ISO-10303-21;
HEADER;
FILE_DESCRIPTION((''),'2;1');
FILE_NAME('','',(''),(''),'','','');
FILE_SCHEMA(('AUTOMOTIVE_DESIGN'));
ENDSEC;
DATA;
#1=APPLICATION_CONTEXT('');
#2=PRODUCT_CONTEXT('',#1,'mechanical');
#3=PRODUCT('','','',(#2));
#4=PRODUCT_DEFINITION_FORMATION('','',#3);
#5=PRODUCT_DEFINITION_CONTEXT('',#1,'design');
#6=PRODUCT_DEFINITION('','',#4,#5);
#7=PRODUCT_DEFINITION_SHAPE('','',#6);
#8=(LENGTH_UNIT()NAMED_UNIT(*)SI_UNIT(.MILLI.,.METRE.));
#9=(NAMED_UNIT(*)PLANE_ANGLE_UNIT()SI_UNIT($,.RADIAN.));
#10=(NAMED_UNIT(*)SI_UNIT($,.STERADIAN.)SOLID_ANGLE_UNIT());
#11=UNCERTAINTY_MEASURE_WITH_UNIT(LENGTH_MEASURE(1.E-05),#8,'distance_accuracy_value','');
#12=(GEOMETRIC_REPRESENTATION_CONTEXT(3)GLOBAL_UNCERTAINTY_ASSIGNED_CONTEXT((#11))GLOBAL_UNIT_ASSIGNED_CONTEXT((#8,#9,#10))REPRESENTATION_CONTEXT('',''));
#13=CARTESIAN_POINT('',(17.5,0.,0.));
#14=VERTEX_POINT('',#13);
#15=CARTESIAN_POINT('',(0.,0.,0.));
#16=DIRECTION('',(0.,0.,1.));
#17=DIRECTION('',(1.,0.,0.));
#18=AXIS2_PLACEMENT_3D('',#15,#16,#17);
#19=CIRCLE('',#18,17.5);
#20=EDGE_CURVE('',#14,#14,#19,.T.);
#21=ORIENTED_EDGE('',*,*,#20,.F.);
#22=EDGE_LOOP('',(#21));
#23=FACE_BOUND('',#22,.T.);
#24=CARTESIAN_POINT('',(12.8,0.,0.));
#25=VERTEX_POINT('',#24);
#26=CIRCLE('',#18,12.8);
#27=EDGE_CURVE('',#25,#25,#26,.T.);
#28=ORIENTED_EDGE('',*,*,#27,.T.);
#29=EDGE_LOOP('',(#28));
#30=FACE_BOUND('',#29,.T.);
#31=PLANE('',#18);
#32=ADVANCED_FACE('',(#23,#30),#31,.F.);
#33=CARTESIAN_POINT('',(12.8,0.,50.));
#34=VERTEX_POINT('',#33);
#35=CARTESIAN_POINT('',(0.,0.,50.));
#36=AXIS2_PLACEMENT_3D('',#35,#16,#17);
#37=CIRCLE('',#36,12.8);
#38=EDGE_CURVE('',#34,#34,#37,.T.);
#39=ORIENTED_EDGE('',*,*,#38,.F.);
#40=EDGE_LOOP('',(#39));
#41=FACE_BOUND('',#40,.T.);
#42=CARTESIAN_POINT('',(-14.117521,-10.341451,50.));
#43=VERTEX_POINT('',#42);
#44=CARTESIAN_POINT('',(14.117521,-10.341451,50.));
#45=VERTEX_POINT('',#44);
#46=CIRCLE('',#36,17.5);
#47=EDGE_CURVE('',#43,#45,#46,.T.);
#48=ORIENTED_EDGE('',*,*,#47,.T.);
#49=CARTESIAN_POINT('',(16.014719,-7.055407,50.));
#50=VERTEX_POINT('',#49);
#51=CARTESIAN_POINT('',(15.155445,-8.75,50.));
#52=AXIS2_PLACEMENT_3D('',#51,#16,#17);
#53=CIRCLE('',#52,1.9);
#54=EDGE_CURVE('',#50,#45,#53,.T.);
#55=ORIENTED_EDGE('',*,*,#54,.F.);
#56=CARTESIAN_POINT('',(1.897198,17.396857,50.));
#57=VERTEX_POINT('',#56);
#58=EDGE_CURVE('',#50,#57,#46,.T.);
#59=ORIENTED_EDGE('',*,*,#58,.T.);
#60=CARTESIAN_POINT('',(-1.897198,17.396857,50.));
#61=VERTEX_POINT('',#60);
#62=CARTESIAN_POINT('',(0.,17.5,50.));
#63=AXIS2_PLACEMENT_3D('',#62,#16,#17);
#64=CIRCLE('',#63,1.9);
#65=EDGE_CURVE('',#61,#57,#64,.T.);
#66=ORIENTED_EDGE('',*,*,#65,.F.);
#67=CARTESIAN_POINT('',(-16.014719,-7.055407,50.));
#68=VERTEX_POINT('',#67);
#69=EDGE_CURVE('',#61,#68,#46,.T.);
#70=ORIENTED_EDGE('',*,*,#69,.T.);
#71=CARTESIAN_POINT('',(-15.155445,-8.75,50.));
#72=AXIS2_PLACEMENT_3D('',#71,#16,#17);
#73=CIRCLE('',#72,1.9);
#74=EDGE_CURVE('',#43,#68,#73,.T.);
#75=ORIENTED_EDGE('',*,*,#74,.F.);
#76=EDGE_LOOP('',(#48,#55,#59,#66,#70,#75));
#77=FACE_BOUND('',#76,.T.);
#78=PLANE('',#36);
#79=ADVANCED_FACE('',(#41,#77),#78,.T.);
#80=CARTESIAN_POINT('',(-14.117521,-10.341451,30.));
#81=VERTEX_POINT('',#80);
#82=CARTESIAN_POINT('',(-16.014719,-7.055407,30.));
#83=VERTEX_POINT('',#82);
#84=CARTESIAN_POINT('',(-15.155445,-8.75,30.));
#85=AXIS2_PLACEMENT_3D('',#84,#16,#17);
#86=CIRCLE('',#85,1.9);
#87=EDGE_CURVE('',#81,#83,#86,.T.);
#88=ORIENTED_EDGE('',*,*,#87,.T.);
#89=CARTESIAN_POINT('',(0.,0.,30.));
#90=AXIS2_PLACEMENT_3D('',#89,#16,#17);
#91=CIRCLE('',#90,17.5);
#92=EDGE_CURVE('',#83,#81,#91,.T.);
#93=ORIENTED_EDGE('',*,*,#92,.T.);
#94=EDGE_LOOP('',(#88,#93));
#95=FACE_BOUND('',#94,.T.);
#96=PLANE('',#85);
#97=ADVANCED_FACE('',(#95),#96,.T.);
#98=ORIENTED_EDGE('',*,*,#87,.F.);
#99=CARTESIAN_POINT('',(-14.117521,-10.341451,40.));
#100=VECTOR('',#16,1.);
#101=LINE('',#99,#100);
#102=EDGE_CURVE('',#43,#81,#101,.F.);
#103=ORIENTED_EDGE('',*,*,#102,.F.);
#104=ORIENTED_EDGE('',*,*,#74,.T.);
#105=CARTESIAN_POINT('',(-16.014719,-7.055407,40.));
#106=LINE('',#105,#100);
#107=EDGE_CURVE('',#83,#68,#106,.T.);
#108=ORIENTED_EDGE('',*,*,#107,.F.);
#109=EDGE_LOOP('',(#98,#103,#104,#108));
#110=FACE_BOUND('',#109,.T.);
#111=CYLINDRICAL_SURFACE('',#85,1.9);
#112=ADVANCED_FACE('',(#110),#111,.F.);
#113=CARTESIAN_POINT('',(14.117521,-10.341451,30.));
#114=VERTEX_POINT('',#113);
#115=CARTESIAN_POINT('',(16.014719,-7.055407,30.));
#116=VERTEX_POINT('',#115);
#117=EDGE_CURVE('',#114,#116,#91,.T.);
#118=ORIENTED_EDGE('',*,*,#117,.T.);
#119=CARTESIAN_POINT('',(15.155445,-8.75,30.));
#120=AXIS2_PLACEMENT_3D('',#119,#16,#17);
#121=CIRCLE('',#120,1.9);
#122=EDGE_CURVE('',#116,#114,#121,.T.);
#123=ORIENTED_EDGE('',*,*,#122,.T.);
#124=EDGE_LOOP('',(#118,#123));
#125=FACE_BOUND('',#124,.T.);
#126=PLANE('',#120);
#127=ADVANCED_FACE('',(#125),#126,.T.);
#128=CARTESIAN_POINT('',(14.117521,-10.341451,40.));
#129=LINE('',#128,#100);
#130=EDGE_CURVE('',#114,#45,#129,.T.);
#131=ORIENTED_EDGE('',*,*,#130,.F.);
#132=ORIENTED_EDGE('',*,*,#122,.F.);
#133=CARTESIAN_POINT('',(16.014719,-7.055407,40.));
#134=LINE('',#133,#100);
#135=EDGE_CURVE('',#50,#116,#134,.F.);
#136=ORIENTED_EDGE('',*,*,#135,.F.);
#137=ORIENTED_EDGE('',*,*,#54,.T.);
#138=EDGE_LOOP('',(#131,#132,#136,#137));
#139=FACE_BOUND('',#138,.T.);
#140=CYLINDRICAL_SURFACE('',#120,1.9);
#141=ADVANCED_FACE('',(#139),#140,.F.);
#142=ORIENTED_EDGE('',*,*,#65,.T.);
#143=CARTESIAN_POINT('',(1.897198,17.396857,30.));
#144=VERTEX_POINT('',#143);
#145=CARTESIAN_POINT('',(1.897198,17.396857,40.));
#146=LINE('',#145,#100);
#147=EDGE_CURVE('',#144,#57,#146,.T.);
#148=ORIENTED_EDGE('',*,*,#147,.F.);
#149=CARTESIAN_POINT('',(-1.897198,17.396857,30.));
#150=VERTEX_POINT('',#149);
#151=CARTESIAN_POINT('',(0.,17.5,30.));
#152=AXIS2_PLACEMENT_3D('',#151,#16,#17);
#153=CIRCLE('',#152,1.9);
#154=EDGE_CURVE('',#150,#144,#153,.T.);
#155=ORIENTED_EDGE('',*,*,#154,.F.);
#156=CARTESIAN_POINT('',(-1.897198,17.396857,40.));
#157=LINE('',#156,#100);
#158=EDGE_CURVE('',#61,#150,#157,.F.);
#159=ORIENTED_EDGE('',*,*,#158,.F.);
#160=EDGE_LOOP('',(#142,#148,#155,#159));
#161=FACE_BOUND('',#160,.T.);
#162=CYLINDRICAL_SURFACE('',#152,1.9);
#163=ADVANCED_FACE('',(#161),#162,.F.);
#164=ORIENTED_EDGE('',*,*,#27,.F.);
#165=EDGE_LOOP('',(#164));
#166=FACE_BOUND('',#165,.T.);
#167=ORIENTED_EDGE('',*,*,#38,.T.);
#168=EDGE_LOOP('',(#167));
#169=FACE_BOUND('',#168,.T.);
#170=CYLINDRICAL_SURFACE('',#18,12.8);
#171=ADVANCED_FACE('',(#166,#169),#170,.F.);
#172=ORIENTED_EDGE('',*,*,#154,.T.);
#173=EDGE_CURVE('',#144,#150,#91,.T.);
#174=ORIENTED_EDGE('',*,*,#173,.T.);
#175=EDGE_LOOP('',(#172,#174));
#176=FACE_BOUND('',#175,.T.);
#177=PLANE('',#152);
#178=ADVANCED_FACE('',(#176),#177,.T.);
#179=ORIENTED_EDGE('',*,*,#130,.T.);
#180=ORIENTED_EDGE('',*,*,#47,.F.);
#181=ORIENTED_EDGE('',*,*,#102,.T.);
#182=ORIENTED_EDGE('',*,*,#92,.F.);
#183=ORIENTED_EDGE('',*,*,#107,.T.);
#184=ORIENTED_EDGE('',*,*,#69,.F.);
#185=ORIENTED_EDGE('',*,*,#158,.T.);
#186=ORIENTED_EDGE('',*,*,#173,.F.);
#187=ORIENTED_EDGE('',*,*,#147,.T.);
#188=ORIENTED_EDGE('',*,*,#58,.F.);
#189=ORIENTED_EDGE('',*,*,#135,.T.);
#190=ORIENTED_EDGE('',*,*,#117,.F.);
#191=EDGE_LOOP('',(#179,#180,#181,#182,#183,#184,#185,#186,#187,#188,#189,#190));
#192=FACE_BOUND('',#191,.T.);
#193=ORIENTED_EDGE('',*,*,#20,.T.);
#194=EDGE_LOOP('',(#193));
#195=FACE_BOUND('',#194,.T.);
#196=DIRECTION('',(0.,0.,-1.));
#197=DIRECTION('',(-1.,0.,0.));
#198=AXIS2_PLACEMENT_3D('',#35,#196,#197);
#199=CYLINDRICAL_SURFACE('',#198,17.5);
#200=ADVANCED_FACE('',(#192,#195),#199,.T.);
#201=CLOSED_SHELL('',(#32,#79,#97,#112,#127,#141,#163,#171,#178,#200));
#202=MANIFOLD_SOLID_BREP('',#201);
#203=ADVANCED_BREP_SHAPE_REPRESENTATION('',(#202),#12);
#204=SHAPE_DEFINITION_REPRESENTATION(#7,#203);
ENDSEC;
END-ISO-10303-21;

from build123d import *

# Parameters (mm, degrees)
ESQUISSE1_R             = 17.5
BOSS_EXTRU_1_DEPTH      = 50
ESQUISSE4_R             = 12.8
ENL_V_MAT_EXTRU_1_DEPTH = 50
ESQUISSE5_R             = 1.9
ENL_V_MAT_EXTRU_2_DEPTH = 20


with BuildPart() as part:
    # Esquisse1 → Boss.-Extru.1 (new body)
    with BuildSketch(Plane.XY):
        Circle(ESQUISSE1_R)
    extrude(amount=BOSS_EXTRU_1_DEPTH)

    # Esquisse4 → Enlèv. mat.-Extru.1 (cut)
    with BuildSketch(Plane.XY.offset(50)):
        Circle(ESQUISSE4_R)
    extrude(amount=-ENL_V_MAT_EXTRU_1_DEPTH, mode=Mode.SUBTRACT)

    # Esquisse5 → Enlèv. mat.-Extru.2 (cut)
    with BuildSketch(Plane.XY.offset(50)):
        with Locations((0, 17.5)):
            Circle(ESQUISSE5_R)
        with Locations((15.155444566, -8.75)):
            Circle(ESQUISSE5_R)
        with Locations((-15.155444566, -8.75)):
            Circle(ESQUISSE5_R)
    extrude(amount=-ENL_V_MAT_EXTRU_2_DEPTH, mode=Mode.SUBTRACT)


solid = part.part
